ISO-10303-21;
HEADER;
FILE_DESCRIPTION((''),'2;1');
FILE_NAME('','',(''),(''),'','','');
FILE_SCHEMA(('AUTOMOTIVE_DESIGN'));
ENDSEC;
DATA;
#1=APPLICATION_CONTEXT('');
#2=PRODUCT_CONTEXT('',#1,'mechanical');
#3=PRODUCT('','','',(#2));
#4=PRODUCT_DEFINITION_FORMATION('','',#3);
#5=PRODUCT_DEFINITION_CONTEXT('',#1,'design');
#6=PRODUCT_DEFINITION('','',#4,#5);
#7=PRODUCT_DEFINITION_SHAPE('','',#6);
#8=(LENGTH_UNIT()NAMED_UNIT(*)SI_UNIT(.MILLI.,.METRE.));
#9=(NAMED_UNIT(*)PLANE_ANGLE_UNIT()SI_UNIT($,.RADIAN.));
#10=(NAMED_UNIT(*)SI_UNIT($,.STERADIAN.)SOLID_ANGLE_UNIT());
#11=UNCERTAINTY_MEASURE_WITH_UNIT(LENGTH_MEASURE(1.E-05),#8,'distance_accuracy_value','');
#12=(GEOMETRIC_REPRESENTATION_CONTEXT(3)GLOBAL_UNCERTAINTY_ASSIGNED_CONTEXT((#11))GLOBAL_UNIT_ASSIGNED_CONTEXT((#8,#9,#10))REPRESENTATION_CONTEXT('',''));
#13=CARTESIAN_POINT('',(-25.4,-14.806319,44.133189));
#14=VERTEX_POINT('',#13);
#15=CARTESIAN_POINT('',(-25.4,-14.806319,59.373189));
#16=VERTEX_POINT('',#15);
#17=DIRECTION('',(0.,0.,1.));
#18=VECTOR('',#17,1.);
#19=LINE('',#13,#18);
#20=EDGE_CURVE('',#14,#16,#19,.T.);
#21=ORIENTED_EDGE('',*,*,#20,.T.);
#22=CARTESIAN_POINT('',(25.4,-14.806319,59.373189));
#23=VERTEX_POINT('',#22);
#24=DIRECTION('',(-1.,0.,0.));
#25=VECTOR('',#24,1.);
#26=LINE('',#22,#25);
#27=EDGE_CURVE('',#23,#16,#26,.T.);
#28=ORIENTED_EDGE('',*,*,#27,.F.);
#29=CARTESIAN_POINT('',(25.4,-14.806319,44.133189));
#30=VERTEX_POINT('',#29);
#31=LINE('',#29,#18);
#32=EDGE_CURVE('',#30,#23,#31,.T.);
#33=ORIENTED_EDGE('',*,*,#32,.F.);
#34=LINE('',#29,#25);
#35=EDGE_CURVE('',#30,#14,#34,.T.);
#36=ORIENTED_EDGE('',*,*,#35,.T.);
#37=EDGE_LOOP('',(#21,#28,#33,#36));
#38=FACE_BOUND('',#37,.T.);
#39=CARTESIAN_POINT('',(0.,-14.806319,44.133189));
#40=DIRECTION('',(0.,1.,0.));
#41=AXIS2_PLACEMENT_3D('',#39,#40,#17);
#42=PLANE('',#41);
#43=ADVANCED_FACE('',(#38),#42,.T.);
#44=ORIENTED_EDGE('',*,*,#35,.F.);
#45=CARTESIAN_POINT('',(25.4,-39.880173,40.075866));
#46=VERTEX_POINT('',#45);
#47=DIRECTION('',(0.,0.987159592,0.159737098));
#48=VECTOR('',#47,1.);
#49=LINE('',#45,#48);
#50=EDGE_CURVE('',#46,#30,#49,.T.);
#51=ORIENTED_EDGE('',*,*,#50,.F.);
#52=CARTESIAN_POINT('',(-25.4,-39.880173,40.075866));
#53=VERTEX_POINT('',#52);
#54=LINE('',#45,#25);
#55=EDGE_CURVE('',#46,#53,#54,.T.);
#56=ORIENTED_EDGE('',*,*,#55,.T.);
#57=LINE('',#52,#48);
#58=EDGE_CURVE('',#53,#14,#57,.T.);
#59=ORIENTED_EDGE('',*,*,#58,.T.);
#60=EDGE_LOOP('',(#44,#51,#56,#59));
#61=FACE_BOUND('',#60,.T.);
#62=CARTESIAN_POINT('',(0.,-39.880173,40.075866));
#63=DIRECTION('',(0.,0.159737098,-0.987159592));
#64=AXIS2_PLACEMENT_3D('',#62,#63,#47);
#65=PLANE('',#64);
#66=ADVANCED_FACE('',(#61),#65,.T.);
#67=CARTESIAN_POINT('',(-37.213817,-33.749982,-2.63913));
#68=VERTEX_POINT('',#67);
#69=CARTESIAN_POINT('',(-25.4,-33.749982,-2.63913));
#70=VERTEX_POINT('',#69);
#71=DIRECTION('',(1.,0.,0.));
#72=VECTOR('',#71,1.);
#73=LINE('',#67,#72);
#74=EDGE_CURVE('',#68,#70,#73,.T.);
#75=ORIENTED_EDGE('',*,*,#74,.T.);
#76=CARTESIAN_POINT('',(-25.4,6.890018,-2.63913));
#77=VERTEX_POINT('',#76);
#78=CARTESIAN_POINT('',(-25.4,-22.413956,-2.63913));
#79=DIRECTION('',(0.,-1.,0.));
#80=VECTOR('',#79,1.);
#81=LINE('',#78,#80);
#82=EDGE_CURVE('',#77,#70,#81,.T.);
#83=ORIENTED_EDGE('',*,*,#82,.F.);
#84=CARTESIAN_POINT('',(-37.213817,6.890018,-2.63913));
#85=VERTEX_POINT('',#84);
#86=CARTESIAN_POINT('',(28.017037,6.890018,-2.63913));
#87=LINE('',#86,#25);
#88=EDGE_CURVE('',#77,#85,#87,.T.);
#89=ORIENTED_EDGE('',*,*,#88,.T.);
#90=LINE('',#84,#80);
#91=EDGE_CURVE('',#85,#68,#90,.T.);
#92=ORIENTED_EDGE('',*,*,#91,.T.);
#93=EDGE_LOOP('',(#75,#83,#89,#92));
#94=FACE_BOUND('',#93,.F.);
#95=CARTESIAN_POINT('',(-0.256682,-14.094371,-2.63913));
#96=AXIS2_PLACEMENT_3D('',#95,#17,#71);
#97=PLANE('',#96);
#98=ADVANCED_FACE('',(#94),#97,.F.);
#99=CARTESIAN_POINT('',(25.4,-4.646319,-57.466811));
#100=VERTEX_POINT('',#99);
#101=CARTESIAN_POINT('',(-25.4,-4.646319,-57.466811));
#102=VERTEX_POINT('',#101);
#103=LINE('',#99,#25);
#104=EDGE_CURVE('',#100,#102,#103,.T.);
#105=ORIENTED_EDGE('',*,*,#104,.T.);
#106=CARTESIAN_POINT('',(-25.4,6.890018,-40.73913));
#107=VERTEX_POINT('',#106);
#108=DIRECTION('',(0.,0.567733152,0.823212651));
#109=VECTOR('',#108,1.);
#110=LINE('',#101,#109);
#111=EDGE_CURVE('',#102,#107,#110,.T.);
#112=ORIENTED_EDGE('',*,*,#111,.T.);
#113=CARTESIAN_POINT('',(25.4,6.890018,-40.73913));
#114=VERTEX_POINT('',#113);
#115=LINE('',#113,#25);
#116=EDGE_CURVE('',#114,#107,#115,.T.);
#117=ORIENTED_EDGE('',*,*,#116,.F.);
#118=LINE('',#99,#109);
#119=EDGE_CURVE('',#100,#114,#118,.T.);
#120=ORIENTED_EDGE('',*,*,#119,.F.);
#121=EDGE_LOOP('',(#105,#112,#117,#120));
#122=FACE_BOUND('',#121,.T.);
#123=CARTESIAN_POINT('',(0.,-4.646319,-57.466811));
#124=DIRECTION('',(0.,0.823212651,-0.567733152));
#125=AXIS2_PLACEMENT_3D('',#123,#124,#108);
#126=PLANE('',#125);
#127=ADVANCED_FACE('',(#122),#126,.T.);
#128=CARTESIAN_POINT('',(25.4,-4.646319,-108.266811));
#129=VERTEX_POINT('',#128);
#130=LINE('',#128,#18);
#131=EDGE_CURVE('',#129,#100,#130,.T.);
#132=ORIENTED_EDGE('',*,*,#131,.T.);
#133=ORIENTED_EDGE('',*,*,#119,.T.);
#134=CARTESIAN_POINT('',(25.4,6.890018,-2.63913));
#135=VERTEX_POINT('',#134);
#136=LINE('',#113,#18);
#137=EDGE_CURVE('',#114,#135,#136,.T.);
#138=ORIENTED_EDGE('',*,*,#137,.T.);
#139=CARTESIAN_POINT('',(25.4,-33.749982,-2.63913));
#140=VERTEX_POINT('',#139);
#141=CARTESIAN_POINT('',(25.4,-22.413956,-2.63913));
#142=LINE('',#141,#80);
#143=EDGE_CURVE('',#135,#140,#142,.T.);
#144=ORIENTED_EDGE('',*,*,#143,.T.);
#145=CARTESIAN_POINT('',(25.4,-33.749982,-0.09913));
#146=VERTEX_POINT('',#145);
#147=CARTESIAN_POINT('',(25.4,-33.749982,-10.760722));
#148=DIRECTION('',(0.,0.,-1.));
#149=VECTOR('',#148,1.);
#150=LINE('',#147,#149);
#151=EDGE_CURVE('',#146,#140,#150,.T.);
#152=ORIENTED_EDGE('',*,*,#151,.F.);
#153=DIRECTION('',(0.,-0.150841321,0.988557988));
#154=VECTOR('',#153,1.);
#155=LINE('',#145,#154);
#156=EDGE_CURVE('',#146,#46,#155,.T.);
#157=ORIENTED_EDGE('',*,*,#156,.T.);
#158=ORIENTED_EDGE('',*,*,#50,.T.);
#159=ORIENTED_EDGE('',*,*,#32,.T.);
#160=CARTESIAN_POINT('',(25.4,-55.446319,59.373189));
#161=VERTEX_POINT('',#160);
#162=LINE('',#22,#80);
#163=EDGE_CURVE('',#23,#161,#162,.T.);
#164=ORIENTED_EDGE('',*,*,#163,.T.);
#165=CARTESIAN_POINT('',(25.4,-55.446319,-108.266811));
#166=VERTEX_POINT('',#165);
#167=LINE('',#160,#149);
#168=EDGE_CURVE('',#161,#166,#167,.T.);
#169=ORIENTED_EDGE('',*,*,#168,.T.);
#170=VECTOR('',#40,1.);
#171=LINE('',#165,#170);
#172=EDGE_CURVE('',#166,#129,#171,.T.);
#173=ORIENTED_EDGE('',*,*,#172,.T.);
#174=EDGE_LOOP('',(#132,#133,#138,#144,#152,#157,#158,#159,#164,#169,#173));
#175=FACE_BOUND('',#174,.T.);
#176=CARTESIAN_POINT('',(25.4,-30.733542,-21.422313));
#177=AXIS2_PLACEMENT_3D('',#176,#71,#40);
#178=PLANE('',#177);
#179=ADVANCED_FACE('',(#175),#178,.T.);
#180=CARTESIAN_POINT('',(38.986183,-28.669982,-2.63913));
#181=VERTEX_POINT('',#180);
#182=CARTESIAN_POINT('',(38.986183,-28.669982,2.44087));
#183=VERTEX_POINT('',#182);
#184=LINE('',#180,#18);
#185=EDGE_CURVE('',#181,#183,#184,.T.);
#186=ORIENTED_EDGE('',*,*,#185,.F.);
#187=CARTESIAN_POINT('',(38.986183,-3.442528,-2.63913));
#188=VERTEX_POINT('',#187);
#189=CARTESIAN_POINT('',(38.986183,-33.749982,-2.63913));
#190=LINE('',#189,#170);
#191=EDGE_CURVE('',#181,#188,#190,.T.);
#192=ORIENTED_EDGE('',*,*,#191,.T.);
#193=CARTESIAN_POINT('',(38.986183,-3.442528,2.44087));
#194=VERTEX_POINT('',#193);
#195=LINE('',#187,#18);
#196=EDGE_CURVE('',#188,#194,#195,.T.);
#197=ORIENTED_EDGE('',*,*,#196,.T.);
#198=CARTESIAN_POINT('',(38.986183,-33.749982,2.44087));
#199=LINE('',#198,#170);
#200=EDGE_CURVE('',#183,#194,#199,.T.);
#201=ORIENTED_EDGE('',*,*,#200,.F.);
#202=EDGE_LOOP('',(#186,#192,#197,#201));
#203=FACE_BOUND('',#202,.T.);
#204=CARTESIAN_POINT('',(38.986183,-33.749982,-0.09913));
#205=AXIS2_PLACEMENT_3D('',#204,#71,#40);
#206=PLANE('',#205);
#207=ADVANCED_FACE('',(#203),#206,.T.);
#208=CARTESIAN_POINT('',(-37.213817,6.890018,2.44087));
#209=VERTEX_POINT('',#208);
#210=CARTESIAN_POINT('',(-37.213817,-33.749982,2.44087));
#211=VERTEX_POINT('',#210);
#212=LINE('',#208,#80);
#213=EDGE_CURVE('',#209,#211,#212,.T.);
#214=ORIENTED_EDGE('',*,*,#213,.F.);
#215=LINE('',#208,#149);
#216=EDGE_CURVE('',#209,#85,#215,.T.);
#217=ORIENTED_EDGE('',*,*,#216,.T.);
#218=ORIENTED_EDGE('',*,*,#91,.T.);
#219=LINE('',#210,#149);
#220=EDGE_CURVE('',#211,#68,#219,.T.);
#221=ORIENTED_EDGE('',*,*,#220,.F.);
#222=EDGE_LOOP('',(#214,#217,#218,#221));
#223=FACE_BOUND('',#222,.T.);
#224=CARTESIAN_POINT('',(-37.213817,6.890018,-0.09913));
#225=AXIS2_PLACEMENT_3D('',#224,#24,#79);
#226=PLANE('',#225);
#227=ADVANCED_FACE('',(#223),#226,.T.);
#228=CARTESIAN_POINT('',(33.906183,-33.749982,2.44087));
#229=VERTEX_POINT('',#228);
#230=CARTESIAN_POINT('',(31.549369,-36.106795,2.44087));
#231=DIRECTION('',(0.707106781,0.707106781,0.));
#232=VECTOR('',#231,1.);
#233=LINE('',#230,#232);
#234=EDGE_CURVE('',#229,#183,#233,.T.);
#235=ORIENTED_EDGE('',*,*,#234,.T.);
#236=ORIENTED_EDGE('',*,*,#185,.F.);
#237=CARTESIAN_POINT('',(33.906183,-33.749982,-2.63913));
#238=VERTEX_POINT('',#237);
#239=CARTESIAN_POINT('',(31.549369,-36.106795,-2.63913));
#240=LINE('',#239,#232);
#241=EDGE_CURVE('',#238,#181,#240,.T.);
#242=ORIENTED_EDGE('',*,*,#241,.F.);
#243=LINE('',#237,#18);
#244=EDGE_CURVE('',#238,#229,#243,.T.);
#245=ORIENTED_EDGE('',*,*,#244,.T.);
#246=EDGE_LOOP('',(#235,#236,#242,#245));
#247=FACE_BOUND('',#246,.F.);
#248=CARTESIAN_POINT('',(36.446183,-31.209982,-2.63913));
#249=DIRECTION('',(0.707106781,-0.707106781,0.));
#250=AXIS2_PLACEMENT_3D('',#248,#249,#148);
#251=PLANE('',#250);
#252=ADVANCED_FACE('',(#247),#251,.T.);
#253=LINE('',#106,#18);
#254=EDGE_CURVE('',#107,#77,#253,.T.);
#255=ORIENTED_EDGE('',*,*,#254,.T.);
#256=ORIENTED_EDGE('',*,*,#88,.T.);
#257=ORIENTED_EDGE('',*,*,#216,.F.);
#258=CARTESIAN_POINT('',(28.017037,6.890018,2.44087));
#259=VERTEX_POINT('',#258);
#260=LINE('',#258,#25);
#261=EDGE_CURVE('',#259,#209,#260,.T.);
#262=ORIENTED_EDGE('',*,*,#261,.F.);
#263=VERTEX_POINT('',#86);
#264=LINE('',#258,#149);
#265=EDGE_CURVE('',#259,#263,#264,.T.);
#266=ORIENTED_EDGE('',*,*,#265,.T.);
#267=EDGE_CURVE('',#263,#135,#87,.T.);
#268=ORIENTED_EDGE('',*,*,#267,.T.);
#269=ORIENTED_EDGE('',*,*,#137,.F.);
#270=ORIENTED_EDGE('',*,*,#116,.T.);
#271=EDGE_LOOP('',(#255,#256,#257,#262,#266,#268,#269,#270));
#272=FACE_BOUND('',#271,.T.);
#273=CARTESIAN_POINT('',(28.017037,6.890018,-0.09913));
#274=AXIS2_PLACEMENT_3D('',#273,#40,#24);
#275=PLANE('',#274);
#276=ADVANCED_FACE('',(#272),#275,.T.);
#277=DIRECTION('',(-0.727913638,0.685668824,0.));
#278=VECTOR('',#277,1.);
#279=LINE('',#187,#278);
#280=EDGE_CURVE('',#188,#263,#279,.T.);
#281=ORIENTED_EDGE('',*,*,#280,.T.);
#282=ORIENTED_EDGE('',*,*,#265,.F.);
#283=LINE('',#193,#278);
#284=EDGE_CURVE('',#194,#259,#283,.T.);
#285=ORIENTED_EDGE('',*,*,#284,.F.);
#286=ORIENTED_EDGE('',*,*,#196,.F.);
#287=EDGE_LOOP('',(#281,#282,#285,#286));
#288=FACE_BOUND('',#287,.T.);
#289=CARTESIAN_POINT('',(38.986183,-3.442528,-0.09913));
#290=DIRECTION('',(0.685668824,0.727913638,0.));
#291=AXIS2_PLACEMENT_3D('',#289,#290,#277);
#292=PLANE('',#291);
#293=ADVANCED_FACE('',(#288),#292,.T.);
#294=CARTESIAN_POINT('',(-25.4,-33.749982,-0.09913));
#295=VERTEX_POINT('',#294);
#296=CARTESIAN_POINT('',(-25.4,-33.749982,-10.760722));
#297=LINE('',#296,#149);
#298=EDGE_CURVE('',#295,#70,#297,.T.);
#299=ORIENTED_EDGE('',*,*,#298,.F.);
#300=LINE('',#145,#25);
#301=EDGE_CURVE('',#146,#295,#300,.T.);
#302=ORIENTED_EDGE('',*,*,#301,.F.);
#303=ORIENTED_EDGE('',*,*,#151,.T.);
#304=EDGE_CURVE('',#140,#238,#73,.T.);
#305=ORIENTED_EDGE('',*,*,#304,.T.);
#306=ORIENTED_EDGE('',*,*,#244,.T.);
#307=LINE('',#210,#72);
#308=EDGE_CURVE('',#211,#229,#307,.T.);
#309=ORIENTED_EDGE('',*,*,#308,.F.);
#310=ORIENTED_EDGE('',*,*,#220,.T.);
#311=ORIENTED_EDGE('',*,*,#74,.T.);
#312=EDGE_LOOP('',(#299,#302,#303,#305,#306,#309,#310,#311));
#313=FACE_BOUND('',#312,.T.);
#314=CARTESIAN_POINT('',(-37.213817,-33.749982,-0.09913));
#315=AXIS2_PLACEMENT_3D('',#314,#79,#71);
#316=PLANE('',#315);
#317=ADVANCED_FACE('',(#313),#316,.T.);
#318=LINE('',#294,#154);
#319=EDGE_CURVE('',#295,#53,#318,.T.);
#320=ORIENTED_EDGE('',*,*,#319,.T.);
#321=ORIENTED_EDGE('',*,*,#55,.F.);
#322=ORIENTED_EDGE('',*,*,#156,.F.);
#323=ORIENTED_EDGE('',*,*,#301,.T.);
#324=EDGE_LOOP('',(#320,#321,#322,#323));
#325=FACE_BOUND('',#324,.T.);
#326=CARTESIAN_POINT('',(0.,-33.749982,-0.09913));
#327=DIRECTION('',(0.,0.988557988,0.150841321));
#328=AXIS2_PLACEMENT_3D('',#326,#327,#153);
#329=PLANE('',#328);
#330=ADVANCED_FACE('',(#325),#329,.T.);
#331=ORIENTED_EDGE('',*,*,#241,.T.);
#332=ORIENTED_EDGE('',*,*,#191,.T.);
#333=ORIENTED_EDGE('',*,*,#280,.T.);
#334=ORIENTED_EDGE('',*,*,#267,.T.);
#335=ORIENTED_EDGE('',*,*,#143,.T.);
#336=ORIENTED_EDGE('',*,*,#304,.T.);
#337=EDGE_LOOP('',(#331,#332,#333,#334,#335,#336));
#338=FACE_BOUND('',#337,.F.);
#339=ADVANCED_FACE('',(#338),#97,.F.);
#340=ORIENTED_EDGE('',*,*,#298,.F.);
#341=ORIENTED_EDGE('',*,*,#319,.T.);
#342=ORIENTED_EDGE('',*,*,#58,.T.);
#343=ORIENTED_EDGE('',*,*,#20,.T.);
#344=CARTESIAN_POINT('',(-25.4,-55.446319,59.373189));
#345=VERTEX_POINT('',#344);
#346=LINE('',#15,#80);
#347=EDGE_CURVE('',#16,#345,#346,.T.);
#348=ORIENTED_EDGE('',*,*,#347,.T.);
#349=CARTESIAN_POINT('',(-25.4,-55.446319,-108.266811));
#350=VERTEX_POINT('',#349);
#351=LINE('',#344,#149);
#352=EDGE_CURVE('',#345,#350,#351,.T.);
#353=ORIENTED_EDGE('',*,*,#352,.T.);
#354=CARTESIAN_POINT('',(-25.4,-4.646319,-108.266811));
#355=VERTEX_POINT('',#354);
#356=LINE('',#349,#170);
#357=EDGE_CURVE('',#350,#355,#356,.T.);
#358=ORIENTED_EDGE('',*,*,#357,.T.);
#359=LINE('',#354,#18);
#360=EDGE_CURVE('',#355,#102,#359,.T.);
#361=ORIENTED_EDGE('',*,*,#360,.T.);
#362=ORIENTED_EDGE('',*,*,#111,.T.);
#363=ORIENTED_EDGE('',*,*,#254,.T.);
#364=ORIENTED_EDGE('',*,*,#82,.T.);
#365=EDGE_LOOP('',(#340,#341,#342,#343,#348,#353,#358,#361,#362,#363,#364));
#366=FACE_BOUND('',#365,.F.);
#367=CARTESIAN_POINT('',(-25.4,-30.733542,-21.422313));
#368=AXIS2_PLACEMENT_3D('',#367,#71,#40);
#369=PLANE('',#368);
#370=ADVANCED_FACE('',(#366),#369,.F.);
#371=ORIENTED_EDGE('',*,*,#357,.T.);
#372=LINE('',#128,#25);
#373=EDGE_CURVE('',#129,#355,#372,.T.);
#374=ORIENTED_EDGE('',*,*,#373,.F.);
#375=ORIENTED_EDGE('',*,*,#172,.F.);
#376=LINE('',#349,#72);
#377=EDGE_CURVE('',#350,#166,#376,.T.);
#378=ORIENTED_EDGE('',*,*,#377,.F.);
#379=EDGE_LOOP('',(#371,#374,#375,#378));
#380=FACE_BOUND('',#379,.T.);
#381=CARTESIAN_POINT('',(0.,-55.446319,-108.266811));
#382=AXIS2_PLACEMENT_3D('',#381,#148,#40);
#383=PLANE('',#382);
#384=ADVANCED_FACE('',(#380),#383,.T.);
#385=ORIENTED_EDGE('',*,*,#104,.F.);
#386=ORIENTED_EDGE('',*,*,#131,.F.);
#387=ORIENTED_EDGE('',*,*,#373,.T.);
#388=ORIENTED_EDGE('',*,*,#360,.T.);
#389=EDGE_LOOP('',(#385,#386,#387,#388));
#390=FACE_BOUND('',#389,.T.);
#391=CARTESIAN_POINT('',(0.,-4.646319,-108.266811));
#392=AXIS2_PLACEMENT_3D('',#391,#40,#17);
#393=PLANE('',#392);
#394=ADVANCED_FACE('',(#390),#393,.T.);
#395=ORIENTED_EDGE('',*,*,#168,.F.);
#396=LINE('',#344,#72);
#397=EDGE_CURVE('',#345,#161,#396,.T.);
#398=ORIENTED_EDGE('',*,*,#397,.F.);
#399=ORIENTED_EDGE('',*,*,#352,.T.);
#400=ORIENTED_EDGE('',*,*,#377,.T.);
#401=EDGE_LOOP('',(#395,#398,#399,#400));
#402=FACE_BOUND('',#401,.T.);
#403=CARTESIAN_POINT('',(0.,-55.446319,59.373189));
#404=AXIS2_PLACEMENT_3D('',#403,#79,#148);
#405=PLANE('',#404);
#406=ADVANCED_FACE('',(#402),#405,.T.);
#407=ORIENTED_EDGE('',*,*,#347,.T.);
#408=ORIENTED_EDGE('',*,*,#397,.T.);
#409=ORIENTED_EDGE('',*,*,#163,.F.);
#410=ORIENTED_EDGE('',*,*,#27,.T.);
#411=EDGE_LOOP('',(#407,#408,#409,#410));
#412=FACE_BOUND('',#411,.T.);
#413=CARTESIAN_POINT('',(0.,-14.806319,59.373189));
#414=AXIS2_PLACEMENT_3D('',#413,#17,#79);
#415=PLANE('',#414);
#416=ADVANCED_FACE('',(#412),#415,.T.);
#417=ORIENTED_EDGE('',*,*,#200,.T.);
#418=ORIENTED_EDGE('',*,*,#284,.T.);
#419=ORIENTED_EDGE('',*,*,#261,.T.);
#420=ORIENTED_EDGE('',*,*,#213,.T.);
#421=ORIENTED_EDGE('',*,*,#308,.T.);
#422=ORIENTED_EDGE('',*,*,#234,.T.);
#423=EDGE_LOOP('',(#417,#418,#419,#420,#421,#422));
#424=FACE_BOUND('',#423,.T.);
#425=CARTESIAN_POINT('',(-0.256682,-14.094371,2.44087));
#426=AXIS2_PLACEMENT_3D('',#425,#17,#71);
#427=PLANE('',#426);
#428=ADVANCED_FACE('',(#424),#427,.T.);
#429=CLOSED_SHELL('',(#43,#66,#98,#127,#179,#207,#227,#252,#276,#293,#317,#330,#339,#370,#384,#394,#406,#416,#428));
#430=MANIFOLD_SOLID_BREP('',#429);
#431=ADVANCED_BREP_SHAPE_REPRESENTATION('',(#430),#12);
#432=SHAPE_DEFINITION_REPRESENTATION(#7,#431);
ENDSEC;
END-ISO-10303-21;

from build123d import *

# Parameters (mm, degrees)
F1_DEPTH = 25.4
F3_DEPTH = 2.54
F4_SIZE  = 5.08
F5_DEPTH = 25.4


with BuildPart() as f1:
    # F0 (on Right) → F1 (new body, symmetric)
    with BuildSketch(Plane.YZ):
        Polygon((-14.806319427, 59.3731885201), (-55.446319427, 59.3731885201), (-55.446319427, -108.2668114799), (-4.646319427, -108.2668114799), (-4.646319427, -57.4668114799), (6.8900182168, -40.7391304162), (6.8900182168, -0.0991304162), (-33.7499817832, -0.0991304162), (-39.8801730554, 40.0758662231), (-14.806319427, 44.1331885201), align=None)
    extrude(amount=F1_DEPTH, both=True)

    # F2 (on face) → F3 (join, symmetric)
    with BuildSketch(Plane.XY.offset(-0.0991304162)):
        Polygon((-37.2138172336, -33.7499817832), (38.9861827664, -33.7499817832), (38.9861827664, -3.4425283198), (28.0170366168, 6.8900182168), (-37.2138172336, 6.8900182168), align=None)
    extrude(amount=F3_DEPTH, both=True)

    # F4
    f4_edges = [f1.edges().sort_by_distance(p)[0] for p in [
        (38.986183, -33.749982, -0.09913),
    ]]
    chamfer(f4_edges, length=F4_SIZE)

    # F0 (on Right) → F5 (join)
    with BuildSketch(Plane.YZ):
        Polygon((-14.806319427, 59.3731885201), (-55.446319427, 59.3731885201), (-55.446319427, -108.2668114799), (-4.646319427, -108.2668114799), (-4.646319427, -57.4668114799), (6.8900182168, -40.7391304162), (6.8900182168, -0.0991304162), (-33.7499817832, -0.0991304162), (-39.8801730554, 40.0758662231), (-14.806319427, 44.1331885201), align=None)
    extrude(amount=F5_DEPTH)


solid = f1.part
